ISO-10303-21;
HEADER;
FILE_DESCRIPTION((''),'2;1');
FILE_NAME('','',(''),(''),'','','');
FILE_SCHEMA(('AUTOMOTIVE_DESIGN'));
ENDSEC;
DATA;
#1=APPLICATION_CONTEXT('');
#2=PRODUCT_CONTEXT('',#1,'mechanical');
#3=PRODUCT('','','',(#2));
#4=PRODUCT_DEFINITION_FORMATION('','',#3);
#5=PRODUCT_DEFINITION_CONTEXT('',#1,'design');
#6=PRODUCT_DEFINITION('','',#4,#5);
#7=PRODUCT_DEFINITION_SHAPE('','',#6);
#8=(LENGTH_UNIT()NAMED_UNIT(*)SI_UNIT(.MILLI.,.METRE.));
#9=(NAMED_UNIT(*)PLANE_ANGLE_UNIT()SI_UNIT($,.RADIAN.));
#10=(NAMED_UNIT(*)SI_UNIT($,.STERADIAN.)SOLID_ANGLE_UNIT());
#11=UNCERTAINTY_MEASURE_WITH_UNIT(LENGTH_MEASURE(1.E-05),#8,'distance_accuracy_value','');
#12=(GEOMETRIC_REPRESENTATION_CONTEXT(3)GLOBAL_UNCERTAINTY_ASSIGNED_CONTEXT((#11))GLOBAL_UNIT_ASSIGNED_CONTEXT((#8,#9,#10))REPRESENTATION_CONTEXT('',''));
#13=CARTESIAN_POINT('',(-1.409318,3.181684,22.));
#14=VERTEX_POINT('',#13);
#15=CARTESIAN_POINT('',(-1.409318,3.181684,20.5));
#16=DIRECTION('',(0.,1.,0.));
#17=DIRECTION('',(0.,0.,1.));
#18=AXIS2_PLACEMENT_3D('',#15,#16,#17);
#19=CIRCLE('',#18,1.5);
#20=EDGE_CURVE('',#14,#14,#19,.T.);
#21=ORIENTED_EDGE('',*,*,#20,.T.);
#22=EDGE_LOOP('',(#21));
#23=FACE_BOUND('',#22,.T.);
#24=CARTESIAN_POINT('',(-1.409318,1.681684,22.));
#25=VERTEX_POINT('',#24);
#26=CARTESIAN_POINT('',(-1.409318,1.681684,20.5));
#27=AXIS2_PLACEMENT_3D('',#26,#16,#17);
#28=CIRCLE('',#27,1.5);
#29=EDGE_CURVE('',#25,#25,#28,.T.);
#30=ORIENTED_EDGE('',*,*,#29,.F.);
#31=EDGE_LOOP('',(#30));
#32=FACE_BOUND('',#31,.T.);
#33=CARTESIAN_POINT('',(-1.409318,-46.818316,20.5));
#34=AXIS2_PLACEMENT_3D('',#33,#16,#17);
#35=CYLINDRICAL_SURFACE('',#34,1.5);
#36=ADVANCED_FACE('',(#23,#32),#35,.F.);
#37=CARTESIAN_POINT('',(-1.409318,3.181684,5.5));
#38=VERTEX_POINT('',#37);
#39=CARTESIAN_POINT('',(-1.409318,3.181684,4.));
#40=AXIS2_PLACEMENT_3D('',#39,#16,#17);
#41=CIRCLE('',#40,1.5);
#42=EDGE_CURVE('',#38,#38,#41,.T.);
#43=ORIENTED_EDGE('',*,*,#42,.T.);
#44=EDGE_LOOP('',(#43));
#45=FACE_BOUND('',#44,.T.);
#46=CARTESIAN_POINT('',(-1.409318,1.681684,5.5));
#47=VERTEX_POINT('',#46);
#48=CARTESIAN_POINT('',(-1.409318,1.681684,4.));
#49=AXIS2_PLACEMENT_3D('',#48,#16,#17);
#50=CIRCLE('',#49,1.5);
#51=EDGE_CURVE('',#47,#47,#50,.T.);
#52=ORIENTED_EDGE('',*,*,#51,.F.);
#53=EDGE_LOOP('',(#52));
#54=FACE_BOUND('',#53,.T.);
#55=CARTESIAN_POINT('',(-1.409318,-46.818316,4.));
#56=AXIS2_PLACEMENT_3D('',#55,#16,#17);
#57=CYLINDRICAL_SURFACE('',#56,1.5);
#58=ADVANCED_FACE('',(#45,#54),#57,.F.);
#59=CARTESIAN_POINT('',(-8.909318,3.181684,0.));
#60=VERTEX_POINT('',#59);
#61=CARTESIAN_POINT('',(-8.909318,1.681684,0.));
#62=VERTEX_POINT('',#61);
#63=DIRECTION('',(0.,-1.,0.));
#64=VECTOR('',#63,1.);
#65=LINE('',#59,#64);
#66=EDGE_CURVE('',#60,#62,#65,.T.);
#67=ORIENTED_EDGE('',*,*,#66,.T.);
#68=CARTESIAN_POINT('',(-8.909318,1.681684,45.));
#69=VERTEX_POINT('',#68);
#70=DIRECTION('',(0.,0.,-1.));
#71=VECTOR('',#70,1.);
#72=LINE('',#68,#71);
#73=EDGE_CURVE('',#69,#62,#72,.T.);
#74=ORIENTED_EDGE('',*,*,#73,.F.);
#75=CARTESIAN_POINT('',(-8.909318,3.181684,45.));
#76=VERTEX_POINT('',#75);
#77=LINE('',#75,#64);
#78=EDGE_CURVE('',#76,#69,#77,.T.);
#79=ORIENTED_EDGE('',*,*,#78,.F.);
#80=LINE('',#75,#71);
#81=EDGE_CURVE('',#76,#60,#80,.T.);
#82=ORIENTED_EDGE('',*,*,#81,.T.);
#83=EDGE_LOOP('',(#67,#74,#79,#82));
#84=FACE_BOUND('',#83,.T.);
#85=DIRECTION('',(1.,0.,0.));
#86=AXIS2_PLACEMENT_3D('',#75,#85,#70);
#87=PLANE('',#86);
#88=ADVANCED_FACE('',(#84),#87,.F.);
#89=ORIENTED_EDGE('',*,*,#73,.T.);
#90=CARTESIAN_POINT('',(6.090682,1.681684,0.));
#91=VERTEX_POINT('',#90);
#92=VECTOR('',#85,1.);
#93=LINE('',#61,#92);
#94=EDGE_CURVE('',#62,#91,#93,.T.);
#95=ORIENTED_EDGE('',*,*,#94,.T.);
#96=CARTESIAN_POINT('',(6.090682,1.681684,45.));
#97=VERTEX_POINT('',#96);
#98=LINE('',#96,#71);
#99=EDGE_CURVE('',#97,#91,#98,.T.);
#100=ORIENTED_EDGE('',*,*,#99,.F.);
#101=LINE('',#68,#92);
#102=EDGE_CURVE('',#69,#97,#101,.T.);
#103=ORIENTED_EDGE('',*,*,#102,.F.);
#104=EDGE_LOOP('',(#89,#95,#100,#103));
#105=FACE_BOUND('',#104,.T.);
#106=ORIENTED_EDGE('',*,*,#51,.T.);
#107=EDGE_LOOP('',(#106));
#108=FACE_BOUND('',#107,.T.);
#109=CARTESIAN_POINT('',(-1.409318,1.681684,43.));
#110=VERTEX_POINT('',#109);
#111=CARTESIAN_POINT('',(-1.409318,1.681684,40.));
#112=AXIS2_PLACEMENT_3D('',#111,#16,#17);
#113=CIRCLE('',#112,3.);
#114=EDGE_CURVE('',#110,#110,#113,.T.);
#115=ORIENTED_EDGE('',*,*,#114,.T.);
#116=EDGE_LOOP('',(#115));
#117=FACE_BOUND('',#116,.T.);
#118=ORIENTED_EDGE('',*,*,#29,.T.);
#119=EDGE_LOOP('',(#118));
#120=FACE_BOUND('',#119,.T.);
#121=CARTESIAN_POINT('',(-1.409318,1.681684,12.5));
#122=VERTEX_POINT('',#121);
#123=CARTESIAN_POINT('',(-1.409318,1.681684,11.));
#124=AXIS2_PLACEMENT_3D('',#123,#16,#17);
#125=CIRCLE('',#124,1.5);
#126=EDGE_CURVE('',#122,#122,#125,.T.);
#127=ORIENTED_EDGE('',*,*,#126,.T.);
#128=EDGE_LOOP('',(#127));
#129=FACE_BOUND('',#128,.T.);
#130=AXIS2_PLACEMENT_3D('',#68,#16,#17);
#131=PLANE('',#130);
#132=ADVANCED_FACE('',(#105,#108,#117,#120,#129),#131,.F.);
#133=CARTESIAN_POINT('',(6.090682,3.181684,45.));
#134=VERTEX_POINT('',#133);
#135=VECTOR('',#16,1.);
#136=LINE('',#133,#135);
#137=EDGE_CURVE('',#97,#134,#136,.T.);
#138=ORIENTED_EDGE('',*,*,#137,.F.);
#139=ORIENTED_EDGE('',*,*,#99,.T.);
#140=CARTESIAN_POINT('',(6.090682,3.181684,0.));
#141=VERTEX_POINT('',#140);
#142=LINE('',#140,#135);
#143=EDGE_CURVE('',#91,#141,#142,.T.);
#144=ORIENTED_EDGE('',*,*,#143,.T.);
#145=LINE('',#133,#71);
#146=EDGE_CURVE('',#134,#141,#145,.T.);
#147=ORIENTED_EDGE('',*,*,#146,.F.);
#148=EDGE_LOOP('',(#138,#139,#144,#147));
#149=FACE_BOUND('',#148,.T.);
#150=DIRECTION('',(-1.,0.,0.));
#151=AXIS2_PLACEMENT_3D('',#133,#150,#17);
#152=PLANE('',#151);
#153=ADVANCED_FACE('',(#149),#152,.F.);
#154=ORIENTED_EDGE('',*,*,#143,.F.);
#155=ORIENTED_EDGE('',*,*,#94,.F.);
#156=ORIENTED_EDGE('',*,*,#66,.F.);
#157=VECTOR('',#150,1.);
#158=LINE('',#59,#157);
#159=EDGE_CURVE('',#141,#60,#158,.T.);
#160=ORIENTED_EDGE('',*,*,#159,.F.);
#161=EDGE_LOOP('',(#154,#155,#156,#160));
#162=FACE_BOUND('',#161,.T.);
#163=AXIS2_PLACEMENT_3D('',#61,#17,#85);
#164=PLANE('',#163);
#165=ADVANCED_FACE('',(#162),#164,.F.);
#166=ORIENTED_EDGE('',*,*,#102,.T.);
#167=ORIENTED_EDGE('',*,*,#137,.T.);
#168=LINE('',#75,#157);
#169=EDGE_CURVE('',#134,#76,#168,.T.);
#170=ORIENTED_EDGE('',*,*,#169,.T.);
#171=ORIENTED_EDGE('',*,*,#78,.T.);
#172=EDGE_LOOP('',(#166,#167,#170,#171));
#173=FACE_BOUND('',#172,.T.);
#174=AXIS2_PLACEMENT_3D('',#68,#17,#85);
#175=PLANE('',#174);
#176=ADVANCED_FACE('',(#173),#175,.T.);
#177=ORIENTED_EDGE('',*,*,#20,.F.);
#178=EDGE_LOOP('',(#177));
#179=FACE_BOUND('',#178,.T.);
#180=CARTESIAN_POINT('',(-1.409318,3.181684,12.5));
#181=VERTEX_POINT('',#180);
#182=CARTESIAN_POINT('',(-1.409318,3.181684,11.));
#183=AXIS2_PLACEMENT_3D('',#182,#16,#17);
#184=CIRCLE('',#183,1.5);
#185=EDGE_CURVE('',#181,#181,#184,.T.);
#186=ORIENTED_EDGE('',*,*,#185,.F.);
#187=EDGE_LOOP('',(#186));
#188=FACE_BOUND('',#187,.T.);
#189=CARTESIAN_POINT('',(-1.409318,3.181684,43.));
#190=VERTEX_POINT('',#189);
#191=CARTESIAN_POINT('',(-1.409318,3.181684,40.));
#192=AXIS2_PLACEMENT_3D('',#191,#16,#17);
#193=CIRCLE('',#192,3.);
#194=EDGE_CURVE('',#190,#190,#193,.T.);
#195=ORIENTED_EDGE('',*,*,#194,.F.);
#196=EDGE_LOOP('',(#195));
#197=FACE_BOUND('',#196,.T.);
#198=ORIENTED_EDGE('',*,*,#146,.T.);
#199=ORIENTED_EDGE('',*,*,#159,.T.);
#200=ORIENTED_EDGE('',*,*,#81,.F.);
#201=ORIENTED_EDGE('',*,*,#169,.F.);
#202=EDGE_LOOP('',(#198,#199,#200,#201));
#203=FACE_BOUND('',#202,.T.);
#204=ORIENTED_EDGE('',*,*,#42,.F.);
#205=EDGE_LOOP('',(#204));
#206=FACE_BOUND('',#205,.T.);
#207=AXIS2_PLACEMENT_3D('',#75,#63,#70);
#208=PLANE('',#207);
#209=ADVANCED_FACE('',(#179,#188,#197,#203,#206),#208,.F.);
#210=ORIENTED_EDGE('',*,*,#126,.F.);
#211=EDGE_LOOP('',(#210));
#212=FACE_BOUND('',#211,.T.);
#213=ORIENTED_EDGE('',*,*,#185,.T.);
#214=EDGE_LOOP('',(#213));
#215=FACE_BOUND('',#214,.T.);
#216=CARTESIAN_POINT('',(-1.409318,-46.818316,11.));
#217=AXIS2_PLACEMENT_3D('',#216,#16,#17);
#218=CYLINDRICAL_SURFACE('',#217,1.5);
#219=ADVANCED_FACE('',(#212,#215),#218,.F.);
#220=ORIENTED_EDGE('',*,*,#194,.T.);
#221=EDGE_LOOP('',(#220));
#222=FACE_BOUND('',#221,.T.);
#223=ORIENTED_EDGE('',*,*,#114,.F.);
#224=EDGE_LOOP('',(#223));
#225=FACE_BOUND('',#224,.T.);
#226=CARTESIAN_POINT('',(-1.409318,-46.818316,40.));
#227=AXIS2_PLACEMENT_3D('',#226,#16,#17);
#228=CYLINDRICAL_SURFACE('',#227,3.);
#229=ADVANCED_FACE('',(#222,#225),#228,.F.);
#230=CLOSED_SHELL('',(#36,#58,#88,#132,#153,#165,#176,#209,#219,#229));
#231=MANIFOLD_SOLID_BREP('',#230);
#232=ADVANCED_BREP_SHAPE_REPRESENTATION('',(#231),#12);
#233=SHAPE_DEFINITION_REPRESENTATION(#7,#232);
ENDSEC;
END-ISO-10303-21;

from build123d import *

# Parameters (mm, degrees)
ESQUISSE1_W      = 15
ESQUISSE1_H      = 1.5
EXTRUSION1_DEPTH = 45
ESQUISSE2_R      = 1.5
ESQUISSE2_R_2    = 3
EXTRUSION2_DEPTH = 50


with BuildPart() as part:
    # Esquisse1 → Extrusion1 (new body)
    with BuildSketch(Plane.XY):
        with Locations((-1.409317959, 2.431684211)):
            Rectangle(ESQUISSE1_W, ESQUISSE1_H)
    extrude(amount=EXTRUSION1_DEPTH)

    # Esquisse2 → Extrusion2 (cut)
    with BuildSketch(Plane(origin=(0, 3.181684211, 0), x_dir=(-1, 0, 0), z_dir=(0, 1, 0))):
        with Locations(Location((1.409317959, 4, 0), (0, 0, 90))):
            Circle(ESQUISSE2_R)
        with Locations(Location((1.409317959, 11, 0), (0, 0, 90))):
            Circle(ESQUISSE2_R)
        with Locations(Location((1.409317959, 20.5, 0), (0, 0, 90))):
            Circle(ESQUISSE2_R)
        with Locations(Location((1.409317959, 40, 0), (0, 0, 90))):
            Circle(ESQUISSE2_R_2)
    extrude(amount=-EXTRUSION2_DEPTH, mode=Mode.SUBTRACT)


solid = part.part
